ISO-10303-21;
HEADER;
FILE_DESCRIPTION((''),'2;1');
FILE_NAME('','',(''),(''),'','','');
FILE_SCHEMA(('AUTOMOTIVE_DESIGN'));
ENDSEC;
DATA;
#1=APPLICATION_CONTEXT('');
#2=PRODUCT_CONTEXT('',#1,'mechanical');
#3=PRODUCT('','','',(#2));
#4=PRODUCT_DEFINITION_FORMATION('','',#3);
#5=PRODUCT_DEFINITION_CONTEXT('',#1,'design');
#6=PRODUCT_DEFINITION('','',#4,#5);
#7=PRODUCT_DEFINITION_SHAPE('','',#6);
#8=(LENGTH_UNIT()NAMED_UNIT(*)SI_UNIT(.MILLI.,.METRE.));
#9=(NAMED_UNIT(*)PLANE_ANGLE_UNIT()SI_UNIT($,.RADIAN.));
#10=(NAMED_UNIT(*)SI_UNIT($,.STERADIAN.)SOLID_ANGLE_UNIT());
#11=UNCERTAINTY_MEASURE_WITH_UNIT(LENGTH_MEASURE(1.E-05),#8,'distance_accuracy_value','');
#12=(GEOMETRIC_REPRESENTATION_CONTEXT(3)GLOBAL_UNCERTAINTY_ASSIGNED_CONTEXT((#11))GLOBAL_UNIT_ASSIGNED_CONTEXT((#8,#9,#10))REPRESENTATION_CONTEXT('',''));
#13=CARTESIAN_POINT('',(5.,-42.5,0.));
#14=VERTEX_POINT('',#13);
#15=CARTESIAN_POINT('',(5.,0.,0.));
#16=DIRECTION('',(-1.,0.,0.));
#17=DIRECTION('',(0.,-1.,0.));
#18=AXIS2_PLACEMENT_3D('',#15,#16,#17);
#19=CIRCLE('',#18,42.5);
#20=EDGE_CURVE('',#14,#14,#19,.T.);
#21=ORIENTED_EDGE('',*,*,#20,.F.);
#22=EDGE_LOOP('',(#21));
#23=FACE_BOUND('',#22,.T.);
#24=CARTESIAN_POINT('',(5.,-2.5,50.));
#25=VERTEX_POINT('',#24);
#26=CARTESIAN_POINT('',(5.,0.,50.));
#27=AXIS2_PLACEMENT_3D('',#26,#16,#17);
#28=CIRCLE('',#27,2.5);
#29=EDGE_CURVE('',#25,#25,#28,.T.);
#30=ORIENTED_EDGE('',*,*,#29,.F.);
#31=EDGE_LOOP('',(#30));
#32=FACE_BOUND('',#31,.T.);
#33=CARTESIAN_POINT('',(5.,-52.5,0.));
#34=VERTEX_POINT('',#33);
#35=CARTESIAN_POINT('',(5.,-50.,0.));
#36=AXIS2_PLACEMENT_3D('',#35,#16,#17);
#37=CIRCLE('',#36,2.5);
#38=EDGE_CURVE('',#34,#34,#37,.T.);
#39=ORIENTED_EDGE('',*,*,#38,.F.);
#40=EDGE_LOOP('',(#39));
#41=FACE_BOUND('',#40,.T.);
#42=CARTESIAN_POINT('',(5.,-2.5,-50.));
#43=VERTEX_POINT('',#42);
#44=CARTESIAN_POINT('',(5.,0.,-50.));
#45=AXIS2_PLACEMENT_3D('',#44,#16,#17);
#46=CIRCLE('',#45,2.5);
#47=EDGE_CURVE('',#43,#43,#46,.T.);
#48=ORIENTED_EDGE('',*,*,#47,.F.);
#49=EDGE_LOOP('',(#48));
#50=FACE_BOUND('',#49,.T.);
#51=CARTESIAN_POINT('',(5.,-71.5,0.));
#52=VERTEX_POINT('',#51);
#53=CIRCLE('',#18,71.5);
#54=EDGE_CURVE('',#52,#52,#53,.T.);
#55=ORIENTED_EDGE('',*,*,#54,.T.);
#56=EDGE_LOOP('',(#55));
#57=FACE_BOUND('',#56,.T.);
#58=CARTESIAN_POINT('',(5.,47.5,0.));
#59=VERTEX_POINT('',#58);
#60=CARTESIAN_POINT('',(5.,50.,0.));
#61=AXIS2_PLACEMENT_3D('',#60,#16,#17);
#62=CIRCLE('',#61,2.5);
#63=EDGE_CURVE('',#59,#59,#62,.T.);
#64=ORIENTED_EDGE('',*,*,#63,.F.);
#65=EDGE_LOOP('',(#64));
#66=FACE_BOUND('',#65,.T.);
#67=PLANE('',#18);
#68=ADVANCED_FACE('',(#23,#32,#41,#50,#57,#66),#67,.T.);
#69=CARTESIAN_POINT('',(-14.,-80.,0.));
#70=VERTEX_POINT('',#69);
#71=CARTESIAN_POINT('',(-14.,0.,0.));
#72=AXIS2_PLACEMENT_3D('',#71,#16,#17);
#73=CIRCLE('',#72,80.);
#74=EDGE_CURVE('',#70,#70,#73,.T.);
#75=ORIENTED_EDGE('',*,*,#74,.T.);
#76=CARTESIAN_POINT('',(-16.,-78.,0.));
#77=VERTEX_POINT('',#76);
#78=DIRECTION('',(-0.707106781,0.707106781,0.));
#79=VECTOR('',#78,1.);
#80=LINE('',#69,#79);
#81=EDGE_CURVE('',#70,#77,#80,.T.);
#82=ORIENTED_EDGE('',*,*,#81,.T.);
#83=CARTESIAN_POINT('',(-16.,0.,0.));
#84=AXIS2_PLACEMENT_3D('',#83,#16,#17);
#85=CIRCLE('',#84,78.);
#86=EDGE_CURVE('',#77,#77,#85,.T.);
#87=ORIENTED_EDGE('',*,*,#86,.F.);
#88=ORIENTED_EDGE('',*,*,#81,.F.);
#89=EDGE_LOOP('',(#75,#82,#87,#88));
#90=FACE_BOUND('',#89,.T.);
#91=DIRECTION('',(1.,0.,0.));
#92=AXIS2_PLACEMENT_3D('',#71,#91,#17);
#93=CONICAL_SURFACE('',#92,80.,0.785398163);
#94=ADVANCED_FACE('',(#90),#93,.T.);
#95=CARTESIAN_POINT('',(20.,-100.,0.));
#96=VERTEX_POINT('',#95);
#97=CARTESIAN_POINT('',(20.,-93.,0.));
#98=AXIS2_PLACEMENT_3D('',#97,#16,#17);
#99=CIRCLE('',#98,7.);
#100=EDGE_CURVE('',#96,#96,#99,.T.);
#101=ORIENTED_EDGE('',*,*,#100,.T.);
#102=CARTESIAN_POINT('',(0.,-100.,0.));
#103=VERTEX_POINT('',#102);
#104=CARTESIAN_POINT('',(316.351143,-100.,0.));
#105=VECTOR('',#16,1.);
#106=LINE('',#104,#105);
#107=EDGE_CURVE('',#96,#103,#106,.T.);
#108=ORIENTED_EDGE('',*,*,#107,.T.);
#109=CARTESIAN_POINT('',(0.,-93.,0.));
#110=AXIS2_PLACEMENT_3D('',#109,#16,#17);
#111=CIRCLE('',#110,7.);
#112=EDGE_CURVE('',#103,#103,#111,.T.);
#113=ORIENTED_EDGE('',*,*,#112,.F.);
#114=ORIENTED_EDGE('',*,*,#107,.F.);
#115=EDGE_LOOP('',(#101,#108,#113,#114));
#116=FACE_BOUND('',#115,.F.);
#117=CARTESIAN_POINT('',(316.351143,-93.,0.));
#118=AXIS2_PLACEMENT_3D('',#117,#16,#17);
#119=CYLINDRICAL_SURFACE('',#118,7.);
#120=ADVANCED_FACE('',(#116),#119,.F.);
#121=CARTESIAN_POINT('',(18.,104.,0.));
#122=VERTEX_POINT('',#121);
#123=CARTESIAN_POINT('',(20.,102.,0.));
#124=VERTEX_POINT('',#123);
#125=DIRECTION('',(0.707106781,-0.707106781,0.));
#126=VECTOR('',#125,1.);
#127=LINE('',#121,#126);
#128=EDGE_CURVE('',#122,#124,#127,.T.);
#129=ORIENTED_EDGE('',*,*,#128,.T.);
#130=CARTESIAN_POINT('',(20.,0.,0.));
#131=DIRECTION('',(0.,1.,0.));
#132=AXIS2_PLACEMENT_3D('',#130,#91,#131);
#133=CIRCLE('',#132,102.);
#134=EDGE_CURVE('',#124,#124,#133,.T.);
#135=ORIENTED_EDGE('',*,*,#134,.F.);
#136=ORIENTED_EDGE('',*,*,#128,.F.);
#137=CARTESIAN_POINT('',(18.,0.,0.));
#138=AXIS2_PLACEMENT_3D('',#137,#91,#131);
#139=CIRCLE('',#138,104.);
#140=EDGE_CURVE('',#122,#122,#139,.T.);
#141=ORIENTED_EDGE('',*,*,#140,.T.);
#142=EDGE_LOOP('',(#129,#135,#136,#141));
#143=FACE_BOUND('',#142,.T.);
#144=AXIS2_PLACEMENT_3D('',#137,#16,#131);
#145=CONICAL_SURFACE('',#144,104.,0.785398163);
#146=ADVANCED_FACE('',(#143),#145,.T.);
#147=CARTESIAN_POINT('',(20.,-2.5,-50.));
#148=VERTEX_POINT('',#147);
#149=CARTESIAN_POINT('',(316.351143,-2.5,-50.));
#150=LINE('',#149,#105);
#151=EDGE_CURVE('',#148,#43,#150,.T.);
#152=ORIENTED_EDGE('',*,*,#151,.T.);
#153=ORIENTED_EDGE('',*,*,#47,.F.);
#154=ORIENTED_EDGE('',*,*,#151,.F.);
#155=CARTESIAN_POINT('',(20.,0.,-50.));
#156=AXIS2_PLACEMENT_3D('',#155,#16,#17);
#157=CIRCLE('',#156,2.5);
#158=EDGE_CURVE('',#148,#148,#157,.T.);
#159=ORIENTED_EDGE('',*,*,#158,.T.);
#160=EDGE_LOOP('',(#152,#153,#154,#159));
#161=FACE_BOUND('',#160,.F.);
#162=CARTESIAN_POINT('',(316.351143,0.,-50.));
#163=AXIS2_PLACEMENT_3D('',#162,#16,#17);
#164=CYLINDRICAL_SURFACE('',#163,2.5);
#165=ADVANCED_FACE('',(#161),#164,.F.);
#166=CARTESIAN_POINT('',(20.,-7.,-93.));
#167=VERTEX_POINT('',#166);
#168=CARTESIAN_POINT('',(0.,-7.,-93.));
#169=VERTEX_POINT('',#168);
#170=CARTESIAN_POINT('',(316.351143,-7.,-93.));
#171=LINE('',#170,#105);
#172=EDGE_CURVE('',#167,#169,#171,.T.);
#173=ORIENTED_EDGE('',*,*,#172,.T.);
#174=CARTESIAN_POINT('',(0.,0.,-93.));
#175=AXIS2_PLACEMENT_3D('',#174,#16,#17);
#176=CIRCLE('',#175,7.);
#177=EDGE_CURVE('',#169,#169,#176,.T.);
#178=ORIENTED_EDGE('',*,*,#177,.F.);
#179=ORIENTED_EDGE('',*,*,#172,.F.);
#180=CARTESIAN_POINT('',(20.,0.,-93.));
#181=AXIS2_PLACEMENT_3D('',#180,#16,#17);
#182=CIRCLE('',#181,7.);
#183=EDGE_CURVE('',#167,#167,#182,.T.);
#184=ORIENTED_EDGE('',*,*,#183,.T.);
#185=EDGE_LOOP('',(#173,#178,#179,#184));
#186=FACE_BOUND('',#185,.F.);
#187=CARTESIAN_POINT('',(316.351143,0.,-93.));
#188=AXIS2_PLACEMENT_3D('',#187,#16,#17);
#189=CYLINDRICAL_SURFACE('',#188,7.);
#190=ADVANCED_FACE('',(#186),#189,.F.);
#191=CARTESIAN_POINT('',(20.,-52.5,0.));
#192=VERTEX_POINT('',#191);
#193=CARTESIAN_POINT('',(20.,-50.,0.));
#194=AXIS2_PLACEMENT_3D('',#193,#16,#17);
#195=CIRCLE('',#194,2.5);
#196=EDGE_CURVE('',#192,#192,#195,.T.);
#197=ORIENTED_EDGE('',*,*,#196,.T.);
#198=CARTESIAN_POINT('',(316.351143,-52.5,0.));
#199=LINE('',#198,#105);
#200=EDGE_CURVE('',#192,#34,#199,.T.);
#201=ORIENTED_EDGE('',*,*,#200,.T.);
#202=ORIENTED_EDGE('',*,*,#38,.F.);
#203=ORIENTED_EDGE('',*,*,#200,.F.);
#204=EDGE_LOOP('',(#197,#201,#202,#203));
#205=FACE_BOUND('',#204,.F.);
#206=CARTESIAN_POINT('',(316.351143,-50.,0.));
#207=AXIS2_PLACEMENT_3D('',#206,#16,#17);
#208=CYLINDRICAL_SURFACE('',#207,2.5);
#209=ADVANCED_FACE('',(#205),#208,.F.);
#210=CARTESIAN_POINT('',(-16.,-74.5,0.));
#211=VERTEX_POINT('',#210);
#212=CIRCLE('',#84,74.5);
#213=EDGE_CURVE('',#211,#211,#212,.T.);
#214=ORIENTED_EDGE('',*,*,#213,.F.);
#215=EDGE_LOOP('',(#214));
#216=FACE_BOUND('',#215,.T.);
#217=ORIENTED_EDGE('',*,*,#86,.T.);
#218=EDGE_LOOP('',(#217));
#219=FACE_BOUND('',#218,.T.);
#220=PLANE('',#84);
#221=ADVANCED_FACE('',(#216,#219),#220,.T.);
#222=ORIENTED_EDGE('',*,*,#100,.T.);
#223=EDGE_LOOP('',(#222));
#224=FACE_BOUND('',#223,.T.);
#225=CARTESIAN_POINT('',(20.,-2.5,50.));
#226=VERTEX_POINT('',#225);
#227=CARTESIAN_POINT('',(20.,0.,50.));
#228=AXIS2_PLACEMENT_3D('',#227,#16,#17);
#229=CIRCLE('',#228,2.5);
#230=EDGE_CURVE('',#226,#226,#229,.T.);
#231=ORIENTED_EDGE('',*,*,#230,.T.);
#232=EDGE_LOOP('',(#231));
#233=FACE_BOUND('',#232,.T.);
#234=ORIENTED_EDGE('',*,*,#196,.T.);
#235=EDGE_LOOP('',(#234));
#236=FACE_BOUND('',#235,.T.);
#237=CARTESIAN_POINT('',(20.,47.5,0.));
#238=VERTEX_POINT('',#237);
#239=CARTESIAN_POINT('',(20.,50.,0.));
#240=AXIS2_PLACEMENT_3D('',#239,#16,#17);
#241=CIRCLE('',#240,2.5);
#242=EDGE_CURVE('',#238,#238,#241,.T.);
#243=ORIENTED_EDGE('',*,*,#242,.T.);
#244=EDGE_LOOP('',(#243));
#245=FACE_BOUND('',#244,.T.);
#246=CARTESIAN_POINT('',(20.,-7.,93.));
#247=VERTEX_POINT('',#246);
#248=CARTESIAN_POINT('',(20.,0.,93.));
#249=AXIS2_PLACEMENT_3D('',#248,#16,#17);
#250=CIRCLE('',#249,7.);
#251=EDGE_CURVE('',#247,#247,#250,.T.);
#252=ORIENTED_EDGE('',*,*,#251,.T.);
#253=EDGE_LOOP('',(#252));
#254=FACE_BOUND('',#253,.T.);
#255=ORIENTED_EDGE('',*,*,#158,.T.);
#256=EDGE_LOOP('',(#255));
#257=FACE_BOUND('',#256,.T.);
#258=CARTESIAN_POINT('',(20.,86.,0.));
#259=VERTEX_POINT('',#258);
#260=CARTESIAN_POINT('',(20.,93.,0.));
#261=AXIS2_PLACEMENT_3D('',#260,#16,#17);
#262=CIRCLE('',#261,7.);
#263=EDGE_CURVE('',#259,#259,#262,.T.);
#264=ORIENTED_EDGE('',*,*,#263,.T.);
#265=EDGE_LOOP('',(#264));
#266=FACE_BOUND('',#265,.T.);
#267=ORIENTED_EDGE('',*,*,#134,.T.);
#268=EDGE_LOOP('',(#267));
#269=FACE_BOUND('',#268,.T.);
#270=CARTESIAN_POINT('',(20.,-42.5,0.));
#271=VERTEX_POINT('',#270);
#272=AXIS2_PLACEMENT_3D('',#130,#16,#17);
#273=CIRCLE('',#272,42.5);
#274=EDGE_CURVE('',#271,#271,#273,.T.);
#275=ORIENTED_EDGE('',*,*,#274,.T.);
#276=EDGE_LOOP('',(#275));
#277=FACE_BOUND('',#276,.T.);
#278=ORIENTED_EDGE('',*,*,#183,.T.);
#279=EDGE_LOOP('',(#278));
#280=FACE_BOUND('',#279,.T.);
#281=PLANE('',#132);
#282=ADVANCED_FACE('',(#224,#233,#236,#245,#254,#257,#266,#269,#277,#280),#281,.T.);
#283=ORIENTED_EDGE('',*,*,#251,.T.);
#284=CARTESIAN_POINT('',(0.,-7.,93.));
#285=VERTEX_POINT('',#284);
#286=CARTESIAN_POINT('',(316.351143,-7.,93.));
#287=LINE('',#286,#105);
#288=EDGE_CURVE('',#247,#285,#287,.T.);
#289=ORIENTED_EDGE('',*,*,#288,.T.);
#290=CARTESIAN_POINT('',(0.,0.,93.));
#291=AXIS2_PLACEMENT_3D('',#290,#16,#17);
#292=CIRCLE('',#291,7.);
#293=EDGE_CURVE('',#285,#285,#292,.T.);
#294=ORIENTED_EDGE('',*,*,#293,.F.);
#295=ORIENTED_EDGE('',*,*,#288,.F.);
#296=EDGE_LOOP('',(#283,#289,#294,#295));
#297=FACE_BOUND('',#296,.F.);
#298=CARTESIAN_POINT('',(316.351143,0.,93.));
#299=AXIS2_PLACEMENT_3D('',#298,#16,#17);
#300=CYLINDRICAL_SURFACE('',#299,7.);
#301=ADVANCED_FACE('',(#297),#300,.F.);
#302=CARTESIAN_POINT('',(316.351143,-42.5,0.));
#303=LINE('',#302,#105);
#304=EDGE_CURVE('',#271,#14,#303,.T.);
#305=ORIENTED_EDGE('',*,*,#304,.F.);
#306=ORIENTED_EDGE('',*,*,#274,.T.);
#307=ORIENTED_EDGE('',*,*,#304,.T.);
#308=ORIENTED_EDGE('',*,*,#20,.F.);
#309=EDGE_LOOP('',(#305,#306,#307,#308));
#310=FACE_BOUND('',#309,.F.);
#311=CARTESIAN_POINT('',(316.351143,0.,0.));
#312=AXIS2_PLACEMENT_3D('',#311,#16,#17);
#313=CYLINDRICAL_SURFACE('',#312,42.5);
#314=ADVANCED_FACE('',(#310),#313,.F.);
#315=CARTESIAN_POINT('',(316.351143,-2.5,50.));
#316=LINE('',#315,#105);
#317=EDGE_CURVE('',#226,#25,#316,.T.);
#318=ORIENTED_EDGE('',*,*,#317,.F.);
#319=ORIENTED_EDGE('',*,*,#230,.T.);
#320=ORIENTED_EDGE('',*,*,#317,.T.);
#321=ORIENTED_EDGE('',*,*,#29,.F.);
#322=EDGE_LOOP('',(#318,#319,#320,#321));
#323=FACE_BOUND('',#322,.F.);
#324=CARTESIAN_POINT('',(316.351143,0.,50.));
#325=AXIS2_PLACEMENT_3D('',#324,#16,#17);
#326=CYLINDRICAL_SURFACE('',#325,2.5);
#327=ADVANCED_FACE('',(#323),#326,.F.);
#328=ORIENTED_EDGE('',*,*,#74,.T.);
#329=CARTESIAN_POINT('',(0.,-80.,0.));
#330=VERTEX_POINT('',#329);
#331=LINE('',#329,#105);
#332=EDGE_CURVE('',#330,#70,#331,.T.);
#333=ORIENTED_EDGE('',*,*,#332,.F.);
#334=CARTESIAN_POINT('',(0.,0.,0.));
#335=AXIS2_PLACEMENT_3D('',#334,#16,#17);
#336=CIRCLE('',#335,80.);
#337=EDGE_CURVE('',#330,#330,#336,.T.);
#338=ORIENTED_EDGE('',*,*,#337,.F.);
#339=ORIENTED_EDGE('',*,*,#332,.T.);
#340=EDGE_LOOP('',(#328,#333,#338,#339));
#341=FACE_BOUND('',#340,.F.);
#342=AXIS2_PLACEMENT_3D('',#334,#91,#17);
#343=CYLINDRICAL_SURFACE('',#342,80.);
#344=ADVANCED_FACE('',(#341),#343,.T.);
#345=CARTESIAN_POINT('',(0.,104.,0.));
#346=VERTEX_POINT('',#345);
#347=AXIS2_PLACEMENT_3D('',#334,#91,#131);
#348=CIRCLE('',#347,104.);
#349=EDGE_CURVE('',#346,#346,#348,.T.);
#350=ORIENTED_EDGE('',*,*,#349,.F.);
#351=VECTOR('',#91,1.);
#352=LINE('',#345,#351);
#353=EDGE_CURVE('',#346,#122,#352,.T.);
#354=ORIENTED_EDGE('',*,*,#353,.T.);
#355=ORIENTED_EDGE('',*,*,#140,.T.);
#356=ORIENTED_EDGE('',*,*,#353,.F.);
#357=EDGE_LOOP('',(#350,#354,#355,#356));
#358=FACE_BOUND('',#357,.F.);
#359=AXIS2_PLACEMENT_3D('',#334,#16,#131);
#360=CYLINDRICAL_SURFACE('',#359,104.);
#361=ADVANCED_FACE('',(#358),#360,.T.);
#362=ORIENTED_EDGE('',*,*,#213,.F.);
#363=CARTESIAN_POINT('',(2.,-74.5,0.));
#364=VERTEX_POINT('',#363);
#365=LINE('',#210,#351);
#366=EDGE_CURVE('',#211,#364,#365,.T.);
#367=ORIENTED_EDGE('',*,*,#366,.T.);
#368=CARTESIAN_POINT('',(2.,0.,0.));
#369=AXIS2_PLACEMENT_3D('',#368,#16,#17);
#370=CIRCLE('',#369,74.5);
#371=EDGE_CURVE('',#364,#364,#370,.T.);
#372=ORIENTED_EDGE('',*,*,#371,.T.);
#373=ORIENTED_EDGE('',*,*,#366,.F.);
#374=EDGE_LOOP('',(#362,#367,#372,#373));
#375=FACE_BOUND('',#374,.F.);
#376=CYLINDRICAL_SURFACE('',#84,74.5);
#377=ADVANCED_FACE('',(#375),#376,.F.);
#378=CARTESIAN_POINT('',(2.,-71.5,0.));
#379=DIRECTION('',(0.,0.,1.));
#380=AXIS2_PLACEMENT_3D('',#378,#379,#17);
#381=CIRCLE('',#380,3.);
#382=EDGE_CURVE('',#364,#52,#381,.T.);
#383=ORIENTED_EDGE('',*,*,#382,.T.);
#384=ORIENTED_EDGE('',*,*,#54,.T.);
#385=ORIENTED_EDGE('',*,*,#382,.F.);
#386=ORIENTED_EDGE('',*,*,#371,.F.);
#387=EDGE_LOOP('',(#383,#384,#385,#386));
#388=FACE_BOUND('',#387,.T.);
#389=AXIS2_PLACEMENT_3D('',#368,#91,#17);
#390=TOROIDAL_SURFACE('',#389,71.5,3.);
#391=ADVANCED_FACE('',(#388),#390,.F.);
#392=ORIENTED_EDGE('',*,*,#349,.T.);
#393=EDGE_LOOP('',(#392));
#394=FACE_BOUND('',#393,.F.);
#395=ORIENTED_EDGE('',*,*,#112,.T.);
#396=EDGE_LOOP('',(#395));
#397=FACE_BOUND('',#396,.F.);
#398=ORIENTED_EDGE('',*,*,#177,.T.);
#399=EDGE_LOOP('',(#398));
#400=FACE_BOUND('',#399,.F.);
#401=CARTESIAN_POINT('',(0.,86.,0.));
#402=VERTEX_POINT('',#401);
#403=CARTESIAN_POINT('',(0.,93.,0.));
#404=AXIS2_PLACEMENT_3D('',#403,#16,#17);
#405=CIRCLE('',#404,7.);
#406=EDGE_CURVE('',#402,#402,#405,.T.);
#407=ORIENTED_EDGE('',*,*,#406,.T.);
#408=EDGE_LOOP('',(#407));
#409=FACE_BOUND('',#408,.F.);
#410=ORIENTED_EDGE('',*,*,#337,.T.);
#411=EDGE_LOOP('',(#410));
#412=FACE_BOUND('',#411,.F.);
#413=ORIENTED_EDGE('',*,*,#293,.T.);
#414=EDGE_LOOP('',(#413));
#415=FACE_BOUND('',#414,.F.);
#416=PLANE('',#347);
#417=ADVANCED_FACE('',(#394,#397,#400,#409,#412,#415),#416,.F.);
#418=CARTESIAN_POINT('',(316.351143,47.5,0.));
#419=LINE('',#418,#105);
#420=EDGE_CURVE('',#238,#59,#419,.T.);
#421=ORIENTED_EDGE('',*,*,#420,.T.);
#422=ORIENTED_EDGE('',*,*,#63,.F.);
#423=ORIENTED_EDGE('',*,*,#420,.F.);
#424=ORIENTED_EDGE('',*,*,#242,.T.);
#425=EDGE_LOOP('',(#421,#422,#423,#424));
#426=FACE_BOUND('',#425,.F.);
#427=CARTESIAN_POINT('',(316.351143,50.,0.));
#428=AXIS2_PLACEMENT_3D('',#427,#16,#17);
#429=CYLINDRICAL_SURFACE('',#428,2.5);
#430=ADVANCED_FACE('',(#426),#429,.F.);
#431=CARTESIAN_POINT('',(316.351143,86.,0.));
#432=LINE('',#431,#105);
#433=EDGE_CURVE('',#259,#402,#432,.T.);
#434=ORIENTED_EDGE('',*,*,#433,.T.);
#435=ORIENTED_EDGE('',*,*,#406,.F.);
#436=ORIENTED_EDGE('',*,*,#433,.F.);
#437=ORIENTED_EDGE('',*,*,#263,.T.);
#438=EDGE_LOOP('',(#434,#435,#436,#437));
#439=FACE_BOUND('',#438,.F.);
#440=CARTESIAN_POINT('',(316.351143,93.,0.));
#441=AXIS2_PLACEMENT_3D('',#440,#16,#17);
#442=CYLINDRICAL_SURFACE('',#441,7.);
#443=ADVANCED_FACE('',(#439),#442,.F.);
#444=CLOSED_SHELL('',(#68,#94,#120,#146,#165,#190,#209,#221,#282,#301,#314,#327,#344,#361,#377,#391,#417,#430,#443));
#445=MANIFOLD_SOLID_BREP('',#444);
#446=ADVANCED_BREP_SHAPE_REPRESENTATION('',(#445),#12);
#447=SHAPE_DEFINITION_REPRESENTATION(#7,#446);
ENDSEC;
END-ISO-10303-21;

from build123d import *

# Parameters (mm, degrees)
F0_R     = 104
F1_DEPTH = 20
F2_R     = 80
F3_DEPTH = 16
F4_SIZE  = 2
F5_R     = 74.5
F6_DEPTH = 21
F7_R     = 3
F9_D     = 85
F11_D    = 5
F13_D    = 14


with BuildPart() as f1:
    # F0 (on Right) → F1 (new body)
    with BuildSketch(Plane.YZ):
        Circle(F0_R)
    extrude(amount=F1_DEPTH)

    # F2 (on face) → F3 (join)
    with BuildSketch(Plane(origin=(0, 0, 0), x_dir=(0, -1, 0), z_dir=(-1, 0, 0))):
        Circle(F2_R)
    extrude(amount=F3_DEPTH)

    # F4
    f4_edges = [f1.edges().sort_by_distance(p)[0] for p in [
        (-16, 80, 0),
        (20, -104, 0),
    ]]
    chamfer(f4_edges, length=F4_SIZE)

    # F5 (on face) → F6 (cut)
    with BuildSketch(Plane(origin=(-16, 0, 0), x_dir=(0, -1, 0), z_dir=(-1, 0, 0))):
        Circle(F5_R)
    extrude(amount=-F6_DEPTH, mode=Mode.SUBTRACT)

    # F7
    f7_edges = [f1.edges().sort_by_distance(p)[0] for p in [
        (5, 74.5, 0),
    ]]
    fillet(f7_edges, radius=F7_R)

    # F9 (through all)
    with Locations(Plane.YZ.offset(20)):
        with Locations((0, 0)):
            Hole(F9_D / 2)

    # F11 (through all)
    with Locations(Plane.YZ.offset(20)):
        with Locations((0, 50), (50, 0), (0, -50), (-50, 0)):
            Hole(F11_D / 2)

    # F13 (through all)
    with Locations(Plane.YZ.offset(20)):
        with Locations((0, 93), (93, 0), (0, -93), (-93, 0)):
            Hole(F13_D / 2)


solid = f1.part
